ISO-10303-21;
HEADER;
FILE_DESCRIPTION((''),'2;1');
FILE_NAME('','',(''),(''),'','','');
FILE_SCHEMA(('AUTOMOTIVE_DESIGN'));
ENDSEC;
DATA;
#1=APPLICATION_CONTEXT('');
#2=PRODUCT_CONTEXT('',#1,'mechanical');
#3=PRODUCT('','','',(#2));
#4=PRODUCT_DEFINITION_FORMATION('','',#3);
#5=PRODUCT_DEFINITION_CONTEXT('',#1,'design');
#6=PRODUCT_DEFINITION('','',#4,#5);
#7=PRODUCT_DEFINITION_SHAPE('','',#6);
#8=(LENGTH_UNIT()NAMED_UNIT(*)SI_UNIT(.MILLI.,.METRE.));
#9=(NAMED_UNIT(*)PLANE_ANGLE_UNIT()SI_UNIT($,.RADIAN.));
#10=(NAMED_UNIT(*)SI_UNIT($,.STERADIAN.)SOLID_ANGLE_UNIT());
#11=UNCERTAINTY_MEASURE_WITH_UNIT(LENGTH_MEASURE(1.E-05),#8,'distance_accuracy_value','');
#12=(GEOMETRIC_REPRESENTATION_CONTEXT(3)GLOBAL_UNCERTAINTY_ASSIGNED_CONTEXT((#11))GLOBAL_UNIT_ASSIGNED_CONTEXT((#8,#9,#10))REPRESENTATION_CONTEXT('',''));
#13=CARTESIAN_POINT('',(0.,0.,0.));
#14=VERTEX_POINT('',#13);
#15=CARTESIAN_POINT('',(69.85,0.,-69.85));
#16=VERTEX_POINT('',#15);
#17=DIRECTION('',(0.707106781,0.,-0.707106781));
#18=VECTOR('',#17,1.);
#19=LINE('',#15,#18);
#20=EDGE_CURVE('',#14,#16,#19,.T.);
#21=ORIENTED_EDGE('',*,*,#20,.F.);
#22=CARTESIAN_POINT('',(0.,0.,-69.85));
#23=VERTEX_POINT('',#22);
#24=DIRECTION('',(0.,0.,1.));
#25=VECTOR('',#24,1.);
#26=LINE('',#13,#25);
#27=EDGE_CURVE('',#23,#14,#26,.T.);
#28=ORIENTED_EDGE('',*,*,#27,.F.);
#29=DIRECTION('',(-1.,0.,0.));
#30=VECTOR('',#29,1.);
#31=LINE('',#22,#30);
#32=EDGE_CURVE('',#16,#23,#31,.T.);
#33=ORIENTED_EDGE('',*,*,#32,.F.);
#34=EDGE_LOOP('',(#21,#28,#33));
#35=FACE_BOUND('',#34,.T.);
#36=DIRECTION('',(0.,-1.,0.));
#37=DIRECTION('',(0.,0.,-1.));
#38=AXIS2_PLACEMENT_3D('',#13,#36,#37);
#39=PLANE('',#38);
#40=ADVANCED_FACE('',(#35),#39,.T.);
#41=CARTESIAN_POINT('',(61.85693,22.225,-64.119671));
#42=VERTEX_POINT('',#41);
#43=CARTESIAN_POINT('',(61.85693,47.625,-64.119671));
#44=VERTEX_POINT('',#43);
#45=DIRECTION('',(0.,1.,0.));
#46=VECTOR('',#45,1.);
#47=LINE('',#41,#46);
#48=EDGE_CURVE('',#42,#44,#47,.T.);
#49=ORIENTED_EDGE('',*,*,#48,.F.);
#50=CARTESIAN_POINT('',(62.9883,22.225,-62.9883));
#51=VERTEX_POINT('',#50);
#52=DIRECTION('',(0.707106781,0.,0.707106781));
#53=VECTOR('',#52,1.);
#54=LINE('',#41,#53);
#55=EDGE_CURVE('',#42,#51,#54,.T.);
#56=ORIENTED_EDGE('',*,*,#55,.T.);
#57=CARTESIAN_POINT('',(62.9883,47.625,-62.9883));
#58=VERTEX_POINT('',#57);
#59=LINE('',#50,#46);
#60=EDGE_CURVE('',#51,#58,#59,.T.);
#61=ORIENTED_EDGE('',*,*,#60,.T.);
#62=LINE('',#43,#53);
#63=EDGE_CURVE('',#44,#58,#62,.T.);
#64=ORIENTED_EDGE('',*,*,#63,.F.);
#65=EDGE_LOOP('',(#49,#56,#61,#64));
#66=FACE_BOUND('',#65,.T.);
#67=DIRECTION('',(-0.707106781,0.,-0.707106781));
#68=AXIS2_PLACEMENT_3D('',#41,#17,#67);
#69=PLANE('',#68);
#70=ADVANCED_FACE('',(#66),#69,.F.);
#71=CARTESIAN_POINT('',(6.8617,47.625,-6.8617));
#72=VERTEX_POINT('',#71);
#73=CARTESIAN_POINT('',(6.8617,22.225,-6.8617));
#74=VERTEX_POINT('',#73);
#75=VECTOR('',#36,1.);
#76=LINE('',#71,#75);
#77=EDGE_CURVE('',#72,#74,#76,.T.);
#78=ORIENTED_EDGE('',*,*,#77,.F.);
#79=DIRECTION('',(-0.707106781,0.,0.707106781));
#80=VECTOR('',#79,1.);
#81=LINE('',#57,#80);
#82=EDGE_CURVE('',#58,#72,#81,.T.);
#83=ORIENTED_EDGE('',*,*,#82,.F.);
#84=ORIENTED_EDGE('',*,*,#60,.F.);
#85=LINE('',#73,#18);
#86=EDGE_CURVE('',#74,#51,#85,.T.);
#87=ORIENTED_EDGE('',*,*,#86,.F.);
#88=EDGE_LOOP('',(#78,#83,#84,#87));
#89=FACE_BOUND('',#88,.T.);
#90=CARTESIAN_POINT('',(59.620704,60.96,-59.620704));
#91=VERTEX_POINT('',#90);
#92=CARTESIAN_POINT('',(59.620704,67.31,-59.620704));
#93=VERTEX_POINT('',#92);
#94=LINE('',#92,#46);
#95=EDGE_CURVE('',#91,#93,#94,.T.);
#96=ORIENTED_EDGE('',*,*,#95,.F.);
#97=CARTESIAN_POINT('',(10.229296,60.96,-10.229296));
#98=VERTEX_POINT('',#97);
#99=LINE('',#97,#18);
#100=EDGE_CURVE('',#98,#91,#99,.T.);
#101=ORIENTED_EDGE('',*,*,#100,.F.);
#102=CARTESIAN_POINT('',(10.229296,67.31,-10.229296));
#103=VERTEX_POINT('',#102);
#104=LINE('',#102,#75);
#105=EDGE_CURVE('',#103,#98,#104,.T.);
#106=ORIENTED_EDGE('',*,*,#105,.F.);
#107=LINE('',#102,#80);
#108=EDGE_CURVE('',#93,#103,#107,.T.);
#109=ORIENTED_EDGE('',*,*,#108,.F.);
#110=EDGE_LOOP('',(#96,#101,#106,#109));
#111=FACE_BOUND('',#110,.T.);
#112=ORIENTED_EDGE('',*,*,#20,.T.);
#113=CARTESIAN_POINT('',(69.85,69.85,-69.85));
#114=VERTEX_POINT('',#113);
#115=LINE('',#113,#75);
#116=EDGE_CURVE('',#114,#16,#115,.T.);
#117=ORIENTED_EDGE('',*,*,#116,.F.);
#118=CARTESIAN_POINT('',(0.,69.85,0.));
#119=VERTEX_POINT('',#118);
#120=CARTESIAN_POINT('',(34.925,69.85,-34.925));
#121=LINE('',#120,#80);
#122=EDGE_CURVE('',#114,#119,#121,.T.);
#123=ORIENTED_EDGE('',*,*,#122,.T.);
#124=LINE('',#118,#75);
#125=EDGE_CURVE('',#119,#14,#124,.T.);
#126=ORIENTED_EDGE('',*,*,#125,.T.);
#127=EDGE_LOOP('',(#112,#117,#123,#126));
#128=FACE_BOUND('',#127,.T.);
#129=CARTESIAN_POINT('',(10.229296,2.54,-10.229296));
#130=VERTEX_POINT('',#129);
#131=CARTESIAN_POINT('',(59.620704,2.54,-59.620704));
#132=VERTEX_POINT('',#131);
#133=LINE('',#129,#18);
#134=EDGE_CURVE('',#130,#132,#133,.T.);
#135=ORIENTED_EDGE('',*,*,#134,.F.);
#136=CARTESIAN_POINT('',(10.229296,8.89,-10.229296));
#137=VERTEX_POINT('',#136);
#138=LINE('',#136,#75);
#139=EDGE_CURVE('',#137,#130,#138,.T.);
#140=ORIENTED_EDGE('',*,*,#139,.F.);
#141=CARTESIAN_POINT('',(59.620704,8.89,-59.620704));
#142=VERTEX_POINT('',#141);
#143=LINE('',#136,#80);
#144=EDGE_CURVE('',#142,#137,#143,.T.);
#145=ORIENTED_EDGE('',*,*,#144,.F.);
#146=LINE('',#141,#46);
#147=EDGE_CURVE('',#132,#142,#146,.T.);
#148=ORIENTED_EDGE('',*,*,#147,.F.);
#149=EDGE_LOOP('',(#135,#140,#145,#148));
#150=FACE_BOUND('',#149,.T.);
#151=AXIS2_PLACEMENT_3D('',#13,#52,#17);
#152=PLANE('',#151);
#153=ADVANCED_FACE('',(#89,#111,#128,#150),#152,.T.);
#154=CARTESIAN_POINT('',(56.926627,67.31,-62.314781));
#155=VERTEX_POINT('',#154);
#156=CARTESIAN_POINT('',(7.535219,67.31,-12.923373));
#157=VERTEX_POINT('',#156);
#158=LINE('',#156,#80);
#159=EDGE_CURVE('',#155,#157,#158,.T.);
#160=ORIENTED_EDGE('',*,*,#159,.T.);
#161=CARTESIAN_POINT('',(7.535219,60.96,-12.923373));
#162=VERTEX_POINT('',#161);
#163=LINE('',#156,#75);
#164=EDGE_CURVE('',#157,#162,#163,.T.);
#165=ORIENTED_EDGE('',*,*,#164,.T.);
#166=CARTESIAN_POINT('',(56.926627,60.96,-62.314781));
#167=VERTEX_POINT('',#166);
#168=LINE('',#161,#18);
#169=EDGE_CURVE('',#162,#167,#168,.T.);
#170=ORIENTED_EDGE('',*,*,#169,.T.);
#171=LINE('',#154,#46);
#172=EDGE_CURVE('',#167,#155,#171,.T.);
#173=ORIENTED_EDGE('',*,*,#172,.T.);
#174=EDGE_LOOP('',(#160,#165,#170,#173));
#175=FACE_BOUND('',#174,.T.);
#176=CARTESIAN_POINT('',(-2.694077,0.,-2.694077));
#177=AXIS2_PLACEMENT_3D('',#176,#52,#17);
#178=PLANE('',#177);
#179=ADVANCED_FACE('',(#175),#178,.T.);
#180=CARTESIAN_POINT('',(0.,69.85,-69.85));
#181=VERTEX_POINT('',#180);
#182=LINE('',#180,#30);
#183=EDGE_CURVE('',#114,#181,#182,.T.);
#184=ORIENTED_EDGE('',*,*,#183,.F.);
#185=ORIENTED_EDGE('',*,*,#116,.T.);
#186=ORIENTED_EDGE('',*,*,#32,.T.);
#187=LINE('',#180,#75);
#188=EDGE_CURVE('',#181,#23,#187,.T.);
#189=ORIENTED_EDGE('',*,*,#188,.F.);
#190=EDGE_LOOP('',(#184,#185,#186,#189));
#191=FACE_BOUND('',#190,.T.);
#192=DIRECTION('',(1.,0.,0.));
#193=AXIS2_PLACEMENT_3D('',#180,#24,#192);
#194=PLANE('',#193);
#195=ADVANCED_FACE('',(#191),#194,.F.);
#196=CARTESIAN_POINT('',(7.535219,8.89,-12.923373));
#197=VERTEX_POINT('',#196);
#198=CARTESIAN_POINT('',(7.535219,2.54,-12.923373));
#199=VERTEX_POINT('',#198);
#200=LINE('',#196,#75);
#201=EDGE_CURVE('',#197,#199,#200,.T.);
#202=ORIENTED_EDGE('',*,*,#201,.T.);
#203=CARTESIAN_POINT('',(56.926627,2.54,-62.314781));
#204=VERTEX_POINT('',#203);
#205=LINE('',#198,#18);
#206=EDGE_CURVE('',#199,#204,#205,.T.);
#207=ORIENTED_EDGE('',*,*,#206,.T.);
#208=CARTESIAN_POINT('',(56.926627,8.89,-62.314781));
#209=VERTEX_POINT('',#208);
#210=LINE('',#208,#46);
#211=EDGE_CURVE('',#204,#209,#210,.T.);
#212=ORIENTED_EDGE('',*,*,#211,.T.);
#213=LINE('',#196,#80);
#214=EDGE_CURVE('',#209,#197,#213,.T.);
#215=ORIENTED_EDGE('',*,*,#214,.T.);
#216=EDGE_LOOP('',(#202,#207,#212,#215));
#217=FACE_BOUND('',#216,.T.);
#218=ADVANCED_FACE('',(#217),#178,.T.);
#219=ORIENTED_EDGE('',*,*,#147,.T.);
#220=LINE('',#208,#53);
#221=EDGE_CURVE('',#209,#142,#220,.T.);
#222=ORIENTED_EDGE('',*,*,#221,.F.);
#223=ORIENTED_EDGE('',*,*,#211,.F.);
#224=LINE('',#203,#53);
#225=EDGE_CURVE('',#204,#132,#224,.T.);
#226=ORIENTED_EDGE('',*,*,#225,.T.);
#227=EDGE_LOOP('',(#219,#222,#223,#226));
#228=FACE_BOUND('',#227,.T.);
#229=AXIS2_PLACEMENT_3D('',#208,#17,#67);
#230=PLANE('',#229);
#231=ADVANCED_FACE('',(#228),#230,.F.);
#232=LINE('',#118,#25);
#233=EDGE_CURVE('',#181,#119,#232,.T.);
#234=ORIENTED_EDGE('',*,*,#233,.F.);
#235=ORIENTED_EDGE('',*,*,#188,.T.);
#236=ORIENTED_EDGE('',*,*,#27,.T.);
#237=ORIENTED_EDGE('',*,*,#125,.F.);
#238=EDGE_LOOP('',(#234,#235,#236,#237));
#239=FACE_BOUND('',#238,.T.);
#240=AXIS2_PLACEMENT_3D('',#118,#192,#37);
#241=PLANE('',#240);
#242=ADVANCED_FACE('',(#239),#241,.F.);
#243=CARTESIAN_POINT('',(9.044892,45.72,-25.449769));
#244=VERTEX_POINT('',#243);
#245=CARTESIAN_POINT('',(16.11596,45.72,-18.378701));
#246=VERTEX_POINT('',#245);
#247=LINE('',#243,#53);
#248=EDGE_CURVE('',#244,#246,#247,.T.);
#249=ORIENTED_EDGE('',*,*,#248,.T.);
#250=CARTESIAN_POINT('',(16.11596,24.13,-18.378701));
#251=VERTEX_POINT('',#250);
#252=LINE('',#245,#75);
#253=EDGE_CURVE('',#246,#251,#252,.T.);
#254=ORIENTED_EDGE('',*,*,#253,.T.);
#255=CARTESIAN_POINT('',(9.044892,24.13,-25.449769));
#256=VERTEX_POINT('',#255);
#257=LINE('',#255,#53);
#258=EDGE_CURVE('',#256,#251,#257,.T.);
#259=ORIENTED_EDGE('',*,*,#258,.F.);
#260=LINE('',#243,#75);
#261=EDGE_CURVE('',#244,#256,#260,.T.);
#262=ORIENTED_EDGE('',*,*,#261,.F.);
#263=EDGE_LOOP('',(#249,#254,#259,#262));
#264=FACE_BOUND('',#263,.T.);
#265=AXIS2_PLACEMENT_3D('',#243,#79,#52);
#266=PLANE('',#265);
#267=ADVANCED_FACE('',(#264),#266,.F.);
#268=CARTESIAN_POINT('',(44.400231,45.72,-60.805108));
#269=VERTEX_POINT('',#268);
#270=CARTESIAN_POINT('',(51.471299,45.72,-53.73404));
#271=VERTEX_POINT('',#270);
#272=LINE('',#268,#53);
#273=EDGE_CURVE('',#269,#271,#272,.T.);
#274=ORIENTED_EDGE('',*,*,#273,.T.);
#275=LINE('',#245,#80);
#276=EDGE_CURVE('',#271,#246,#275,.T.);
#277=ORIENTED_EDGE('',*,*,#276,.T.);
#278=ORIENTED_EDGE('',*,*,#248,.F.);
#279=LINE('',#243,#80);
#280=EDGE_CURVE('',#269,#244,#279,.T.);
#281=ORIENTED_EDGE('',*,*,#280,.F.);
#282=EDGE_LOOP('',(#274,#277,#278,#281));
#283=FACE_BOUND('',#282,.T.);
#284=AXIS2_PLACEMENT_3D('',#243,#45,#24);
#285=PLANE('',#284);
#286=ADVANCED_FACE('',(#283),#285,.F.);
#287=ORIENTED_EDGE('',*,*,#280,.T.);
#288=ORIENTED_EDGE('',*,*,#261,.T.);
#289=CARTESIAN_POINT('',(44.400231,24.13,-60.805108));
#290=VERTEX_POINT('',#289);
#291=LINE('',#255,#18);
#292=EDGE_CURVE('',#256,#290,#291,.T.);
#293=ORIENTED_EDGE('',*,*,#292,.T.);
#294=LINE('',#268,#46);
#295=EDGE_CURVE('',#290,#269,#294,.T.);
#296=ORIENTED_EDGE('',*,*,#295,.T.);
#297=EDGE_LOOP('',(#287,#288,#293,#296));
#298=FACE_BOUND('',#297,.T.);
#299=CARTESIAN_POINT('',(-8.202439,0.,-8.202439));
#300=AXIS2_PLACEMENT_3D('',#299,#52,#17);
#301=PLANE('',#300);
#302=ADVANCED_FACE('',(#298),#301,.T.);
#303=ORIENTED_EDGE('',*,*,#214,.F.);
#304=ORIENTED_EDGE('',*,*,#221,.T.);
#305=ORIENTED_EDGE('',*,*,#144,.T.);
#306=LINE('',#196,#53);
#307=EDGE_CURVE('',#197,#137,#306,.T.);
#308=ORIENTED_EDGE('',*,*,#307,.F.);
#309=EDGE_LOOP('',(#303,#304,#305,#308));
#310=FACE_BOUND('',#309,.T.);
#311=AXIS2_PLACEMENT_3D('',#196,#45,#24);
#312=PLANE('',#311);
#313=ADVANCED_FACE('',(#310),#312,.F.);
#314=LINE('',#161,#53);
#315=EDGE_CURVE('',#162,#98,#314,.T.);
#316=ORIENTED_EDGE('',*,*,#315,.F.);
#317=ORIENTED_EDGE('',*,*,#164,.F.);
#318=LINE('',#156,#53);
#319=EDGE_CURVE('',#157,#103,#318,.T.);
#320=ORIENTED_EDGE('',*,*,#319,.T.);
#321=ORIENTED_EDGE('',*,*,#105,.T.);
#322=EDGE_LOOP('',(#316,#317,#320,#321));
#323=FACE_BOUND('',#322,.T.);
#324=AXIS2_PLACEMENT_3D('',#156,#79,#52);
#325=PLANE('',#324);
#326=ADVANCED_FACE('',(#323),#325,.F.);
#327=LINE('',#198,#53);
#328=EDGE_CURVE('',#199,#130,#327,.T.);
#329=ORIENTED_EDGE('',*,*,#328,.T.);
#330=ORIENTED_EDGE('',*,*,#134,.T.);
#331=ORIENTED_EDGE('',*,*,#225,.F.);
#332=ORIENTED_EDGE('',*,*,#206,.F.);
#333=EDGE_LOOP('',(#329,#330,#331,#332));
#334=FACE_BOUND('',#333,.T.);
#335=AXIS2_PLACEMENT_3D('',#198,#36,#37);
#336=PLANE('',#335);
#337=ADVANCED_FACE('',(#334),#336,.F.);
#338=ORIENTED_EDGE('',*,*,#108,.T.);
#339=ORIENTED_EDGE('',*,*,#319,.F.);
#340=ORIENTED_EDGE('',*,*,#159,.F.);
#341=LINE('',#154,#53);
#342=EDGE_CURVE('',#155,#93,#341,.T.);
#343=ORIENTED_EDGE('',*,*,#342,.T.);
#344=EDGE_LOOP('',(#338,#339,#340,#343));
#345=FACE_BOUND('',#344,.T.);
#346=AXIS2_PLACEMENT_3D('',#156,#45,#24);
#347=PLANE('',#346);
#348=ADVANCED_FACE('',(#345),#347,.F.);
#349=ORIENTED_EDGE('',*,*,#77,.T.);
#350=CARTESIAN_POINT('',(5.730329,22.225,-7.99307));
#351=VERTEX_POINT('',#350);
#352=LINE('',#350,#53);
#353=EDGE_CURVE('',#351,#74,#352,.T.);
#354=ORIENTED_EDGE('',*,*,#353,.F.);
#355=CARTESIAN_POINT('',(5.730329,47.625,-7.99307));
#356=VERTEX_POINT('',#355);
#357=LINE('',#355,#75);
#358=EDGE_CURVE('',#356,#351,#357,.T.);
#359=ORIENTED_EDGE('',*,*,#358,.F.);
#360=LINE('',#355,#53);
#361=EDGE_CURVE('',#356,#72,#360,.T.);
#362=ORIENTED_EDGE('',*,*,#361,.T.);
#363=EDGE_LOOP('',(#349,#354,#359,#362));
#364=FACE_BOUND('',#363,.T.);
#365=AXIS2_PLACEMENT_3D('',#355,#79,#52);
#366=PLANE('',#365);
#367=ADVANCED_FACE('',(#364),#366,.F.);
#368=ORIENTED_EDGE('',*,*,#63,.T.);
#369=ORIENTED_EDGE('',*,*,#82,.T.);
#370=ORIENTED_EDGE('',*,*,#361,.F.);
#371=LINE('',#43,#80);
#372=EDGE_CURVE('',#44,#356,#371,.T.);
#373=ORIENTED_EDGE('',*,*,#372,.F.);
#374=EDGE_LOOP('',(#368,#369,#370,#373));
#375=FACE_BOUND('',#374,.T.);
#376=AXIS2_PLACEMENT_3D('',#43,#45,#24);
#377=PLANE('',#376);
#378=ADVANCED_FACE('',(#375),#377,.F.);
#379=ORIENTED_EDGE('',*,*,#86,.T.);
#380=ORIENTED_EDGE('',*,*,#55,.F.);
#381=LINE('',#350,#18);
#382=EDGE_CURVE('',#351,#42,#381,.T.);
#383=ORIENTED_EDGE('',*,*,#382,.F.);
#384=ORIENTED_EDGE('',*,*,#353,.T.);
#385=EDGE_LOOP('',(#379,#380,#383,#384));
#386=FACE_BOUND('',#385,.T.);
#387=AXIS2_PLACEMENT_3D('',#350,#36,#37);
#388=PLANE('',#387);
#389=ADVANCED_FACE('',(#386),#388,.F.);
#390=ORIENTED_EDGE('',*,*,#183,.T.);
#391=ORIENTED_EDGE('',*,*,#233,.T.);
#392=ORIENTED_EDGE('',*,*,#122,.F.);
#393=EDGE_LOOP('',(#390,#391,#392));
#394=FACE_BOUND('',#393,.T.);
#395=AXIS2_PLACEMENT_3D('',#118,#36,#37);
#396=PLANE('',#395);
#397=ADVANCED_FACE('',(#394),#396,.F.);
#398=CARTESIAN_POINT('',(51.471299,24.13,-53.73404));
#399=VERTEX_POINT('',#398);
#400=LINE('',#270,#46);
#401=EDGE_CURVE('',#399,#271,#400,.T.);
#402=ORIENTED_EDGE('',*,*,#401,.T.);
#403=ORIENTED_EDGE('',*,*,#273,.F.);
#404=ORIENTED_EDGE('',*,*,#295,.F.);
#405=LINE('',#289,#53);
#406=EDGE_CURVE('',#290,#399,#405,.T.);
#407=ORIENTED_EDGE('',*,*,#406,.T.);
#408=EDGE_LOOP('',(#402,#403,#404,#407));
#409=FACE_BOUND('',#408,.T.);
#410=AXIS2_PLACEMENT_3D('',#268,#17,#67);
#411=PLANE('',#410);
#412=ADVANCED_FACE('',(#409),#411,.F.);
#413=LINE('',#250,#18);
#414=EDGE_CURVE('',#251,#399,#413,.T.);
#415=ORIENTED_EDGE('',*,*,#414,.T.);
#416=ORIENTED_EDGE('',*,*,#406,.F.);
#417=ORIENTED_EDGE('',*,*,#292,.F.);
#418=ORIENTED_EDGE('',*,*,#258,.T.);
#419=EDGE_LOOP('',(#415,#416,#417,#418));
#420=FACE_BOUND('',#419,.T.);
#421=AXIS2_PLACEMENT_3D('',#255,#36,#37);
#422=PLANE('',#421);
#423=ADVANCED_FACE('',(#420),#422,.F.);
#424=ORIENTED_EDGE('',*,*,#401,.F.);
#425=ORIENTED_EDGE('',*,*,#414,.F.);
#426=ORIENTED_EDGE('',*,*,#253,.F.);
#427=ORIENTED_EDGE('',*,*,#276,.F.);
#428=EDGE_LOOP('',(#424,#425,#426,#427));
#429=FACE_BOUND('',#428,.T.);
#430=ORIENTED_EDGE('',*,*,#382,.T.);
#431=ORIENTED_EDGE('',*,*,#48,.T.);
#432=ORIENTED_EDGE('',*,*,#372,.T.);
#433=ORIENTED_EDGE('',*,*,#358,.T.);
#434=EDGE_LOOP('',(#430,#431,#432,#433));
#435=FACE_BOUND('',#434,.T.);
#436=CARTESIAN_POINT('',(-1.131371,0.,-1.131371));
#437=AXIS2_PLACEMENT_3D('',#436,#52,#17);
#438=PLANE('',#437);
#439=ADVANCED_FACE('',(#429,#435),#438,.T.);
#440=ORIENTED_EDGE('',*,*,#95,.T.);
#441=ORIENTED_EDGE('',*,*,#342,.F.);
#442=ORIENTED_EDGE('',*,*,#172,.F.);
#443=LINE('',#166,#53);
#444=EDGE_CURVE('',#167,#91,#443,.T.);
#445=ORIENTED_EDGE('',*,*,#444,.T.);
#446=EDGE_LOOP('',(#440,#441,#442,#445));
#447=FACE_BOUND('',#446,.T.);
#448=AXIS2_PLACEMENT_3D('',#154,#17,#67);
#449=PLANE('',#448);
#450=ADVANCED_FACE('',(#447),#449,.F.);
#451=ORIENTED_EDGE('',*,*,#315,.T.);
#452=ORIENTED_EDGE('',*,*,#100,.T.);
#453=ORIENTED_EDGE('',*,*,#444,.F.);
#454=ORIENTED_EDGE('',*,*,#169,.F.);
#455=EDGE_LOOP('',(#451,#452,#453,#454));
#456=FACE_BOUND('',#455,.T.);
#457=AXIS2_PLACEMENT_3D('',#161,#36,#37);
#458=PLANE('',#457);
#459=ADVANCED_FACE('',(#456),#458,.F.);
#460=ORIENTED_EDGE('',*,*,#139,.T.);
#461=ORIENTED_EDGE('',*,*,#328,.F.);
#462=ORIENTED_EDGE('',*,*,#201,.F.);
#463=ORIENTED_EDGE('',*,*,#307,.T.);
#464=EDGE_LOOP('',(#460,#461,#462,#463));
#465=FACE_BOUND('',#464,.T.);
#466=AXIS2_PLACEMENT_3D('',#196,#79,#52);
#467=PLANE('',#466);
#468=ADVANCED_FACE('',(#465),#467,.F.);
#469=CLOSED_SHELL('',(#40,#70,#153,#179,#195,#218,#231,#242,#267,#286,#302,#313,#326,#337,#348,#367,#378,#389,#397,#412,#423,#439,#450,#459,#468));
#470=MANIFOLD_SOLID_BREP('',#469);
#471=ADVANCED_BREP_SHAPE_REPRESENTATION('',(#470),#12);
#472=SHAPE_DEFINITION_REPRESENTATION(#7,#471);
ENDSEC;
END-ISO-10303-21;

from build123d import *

# Parameters (mm, degrees)
SKETCH1_W           = 69.85
SKETCH1_H           = 69.85
BOSS_EXTRUDE1_DEPTH = 69.85
CUT_EXTRUDE2_DEPTH  = 100
SKETCH3_W           = 69.85
SKETCH3_H           = 6.35
CUT_EXTRUDE4_DEPTH  = 3.81
SKETCH4_W           = 79.375
SKETCH4_H           = 25.4
CUT_EXTRUDE5_DEPTH  = 1.6
SKETCH5_W           = 50
SKETCH5_H           = 21.59
CUT_EXTRUDE6_DEPTH  = 10


with BuildPart() as part:
    # Sketch1 → Boss-Extrude1 (new body)
    with BuildSketch(Plane(origin=(0, 0, 0), x_dir=(1, 0, 0), z_dir=(0, 1, 0))):
        with Locations((34.925, 34.925)):
            Rectangle(SKETCH1_W, SKETCH1_H)
    extrude(amount=BOSS_EXTRUDE1_DEPTH)

    # Sketch2 → Cut-Extrude2 (cut)
    with BuildSketch(Plane(origin=(0, 0, 0), x_dir=(0.707106781, 0, -0.707106781), z_dir=(0.707106781, 0, 0.707106781))):
        Polygon((98.782817332, 69.85), (98.782817332, 0), (49.391408666, 0), (0, 0), (0, 69.85), (49.391408666, 69.85), align=None)
    extrude(amount=CUT_EXTRUDE2_DEPTH, mode=Mode.SUBTRACT)

    # Sketch3 → Cut-Extrude4 (cut)
    with BuildSketch(Plane(origin=(0, 0, 0), x_dir=(0.707106781, 0, -0.707106781), z_dir=(0.707106781, 0, 0.707106781))):
        with Locations((49.391408666, 5.715)):
            Rectangle(SKETCH3_W, SKETCH3_H)
        with Locations((49.391408666, 64.135)):
            Rectangle(SKETCH3_W, SKETCH3_H)
    extrude(amount=-CUT_EXTRUDE4_DEPTH, mode=Mode.SUBTRACT)

    # Sketch4 → Cut-Extrude5 (cut)
    with BuildSketch(Plane(origin=(0, 0, 0), x_dir=(0.707106781, 0, -0.707106781), z_dir=(0.707106781, 0, 0.707106781))):
        with Locations((49.391408666, 34.925)):
            Rectangle(SKETCH4_W, SKETCH4_H)
    extrude(amount=-CUT_EXTRUDE5_DEPTH, mode=Mode.SUBTRACT)

    # Sketch5 → Cut-Extrude6 (cut)
    with BuildSketch(Plane(origin=(-1.13137085, 0, -1.13137085), x_dir=(0.707106781, 0, -0.707106781), z_dir=(0.707106781, 0, 0.707106781))):
        with Locations((49.391408666, 34.925)):
            Rectangle(SKETCH5_W, SKETCH5_H)
    extrude(amount=-CUT_EXTRUDE6_DEPTH, mode=Mode.SUBTRACT)


solid = part.part
